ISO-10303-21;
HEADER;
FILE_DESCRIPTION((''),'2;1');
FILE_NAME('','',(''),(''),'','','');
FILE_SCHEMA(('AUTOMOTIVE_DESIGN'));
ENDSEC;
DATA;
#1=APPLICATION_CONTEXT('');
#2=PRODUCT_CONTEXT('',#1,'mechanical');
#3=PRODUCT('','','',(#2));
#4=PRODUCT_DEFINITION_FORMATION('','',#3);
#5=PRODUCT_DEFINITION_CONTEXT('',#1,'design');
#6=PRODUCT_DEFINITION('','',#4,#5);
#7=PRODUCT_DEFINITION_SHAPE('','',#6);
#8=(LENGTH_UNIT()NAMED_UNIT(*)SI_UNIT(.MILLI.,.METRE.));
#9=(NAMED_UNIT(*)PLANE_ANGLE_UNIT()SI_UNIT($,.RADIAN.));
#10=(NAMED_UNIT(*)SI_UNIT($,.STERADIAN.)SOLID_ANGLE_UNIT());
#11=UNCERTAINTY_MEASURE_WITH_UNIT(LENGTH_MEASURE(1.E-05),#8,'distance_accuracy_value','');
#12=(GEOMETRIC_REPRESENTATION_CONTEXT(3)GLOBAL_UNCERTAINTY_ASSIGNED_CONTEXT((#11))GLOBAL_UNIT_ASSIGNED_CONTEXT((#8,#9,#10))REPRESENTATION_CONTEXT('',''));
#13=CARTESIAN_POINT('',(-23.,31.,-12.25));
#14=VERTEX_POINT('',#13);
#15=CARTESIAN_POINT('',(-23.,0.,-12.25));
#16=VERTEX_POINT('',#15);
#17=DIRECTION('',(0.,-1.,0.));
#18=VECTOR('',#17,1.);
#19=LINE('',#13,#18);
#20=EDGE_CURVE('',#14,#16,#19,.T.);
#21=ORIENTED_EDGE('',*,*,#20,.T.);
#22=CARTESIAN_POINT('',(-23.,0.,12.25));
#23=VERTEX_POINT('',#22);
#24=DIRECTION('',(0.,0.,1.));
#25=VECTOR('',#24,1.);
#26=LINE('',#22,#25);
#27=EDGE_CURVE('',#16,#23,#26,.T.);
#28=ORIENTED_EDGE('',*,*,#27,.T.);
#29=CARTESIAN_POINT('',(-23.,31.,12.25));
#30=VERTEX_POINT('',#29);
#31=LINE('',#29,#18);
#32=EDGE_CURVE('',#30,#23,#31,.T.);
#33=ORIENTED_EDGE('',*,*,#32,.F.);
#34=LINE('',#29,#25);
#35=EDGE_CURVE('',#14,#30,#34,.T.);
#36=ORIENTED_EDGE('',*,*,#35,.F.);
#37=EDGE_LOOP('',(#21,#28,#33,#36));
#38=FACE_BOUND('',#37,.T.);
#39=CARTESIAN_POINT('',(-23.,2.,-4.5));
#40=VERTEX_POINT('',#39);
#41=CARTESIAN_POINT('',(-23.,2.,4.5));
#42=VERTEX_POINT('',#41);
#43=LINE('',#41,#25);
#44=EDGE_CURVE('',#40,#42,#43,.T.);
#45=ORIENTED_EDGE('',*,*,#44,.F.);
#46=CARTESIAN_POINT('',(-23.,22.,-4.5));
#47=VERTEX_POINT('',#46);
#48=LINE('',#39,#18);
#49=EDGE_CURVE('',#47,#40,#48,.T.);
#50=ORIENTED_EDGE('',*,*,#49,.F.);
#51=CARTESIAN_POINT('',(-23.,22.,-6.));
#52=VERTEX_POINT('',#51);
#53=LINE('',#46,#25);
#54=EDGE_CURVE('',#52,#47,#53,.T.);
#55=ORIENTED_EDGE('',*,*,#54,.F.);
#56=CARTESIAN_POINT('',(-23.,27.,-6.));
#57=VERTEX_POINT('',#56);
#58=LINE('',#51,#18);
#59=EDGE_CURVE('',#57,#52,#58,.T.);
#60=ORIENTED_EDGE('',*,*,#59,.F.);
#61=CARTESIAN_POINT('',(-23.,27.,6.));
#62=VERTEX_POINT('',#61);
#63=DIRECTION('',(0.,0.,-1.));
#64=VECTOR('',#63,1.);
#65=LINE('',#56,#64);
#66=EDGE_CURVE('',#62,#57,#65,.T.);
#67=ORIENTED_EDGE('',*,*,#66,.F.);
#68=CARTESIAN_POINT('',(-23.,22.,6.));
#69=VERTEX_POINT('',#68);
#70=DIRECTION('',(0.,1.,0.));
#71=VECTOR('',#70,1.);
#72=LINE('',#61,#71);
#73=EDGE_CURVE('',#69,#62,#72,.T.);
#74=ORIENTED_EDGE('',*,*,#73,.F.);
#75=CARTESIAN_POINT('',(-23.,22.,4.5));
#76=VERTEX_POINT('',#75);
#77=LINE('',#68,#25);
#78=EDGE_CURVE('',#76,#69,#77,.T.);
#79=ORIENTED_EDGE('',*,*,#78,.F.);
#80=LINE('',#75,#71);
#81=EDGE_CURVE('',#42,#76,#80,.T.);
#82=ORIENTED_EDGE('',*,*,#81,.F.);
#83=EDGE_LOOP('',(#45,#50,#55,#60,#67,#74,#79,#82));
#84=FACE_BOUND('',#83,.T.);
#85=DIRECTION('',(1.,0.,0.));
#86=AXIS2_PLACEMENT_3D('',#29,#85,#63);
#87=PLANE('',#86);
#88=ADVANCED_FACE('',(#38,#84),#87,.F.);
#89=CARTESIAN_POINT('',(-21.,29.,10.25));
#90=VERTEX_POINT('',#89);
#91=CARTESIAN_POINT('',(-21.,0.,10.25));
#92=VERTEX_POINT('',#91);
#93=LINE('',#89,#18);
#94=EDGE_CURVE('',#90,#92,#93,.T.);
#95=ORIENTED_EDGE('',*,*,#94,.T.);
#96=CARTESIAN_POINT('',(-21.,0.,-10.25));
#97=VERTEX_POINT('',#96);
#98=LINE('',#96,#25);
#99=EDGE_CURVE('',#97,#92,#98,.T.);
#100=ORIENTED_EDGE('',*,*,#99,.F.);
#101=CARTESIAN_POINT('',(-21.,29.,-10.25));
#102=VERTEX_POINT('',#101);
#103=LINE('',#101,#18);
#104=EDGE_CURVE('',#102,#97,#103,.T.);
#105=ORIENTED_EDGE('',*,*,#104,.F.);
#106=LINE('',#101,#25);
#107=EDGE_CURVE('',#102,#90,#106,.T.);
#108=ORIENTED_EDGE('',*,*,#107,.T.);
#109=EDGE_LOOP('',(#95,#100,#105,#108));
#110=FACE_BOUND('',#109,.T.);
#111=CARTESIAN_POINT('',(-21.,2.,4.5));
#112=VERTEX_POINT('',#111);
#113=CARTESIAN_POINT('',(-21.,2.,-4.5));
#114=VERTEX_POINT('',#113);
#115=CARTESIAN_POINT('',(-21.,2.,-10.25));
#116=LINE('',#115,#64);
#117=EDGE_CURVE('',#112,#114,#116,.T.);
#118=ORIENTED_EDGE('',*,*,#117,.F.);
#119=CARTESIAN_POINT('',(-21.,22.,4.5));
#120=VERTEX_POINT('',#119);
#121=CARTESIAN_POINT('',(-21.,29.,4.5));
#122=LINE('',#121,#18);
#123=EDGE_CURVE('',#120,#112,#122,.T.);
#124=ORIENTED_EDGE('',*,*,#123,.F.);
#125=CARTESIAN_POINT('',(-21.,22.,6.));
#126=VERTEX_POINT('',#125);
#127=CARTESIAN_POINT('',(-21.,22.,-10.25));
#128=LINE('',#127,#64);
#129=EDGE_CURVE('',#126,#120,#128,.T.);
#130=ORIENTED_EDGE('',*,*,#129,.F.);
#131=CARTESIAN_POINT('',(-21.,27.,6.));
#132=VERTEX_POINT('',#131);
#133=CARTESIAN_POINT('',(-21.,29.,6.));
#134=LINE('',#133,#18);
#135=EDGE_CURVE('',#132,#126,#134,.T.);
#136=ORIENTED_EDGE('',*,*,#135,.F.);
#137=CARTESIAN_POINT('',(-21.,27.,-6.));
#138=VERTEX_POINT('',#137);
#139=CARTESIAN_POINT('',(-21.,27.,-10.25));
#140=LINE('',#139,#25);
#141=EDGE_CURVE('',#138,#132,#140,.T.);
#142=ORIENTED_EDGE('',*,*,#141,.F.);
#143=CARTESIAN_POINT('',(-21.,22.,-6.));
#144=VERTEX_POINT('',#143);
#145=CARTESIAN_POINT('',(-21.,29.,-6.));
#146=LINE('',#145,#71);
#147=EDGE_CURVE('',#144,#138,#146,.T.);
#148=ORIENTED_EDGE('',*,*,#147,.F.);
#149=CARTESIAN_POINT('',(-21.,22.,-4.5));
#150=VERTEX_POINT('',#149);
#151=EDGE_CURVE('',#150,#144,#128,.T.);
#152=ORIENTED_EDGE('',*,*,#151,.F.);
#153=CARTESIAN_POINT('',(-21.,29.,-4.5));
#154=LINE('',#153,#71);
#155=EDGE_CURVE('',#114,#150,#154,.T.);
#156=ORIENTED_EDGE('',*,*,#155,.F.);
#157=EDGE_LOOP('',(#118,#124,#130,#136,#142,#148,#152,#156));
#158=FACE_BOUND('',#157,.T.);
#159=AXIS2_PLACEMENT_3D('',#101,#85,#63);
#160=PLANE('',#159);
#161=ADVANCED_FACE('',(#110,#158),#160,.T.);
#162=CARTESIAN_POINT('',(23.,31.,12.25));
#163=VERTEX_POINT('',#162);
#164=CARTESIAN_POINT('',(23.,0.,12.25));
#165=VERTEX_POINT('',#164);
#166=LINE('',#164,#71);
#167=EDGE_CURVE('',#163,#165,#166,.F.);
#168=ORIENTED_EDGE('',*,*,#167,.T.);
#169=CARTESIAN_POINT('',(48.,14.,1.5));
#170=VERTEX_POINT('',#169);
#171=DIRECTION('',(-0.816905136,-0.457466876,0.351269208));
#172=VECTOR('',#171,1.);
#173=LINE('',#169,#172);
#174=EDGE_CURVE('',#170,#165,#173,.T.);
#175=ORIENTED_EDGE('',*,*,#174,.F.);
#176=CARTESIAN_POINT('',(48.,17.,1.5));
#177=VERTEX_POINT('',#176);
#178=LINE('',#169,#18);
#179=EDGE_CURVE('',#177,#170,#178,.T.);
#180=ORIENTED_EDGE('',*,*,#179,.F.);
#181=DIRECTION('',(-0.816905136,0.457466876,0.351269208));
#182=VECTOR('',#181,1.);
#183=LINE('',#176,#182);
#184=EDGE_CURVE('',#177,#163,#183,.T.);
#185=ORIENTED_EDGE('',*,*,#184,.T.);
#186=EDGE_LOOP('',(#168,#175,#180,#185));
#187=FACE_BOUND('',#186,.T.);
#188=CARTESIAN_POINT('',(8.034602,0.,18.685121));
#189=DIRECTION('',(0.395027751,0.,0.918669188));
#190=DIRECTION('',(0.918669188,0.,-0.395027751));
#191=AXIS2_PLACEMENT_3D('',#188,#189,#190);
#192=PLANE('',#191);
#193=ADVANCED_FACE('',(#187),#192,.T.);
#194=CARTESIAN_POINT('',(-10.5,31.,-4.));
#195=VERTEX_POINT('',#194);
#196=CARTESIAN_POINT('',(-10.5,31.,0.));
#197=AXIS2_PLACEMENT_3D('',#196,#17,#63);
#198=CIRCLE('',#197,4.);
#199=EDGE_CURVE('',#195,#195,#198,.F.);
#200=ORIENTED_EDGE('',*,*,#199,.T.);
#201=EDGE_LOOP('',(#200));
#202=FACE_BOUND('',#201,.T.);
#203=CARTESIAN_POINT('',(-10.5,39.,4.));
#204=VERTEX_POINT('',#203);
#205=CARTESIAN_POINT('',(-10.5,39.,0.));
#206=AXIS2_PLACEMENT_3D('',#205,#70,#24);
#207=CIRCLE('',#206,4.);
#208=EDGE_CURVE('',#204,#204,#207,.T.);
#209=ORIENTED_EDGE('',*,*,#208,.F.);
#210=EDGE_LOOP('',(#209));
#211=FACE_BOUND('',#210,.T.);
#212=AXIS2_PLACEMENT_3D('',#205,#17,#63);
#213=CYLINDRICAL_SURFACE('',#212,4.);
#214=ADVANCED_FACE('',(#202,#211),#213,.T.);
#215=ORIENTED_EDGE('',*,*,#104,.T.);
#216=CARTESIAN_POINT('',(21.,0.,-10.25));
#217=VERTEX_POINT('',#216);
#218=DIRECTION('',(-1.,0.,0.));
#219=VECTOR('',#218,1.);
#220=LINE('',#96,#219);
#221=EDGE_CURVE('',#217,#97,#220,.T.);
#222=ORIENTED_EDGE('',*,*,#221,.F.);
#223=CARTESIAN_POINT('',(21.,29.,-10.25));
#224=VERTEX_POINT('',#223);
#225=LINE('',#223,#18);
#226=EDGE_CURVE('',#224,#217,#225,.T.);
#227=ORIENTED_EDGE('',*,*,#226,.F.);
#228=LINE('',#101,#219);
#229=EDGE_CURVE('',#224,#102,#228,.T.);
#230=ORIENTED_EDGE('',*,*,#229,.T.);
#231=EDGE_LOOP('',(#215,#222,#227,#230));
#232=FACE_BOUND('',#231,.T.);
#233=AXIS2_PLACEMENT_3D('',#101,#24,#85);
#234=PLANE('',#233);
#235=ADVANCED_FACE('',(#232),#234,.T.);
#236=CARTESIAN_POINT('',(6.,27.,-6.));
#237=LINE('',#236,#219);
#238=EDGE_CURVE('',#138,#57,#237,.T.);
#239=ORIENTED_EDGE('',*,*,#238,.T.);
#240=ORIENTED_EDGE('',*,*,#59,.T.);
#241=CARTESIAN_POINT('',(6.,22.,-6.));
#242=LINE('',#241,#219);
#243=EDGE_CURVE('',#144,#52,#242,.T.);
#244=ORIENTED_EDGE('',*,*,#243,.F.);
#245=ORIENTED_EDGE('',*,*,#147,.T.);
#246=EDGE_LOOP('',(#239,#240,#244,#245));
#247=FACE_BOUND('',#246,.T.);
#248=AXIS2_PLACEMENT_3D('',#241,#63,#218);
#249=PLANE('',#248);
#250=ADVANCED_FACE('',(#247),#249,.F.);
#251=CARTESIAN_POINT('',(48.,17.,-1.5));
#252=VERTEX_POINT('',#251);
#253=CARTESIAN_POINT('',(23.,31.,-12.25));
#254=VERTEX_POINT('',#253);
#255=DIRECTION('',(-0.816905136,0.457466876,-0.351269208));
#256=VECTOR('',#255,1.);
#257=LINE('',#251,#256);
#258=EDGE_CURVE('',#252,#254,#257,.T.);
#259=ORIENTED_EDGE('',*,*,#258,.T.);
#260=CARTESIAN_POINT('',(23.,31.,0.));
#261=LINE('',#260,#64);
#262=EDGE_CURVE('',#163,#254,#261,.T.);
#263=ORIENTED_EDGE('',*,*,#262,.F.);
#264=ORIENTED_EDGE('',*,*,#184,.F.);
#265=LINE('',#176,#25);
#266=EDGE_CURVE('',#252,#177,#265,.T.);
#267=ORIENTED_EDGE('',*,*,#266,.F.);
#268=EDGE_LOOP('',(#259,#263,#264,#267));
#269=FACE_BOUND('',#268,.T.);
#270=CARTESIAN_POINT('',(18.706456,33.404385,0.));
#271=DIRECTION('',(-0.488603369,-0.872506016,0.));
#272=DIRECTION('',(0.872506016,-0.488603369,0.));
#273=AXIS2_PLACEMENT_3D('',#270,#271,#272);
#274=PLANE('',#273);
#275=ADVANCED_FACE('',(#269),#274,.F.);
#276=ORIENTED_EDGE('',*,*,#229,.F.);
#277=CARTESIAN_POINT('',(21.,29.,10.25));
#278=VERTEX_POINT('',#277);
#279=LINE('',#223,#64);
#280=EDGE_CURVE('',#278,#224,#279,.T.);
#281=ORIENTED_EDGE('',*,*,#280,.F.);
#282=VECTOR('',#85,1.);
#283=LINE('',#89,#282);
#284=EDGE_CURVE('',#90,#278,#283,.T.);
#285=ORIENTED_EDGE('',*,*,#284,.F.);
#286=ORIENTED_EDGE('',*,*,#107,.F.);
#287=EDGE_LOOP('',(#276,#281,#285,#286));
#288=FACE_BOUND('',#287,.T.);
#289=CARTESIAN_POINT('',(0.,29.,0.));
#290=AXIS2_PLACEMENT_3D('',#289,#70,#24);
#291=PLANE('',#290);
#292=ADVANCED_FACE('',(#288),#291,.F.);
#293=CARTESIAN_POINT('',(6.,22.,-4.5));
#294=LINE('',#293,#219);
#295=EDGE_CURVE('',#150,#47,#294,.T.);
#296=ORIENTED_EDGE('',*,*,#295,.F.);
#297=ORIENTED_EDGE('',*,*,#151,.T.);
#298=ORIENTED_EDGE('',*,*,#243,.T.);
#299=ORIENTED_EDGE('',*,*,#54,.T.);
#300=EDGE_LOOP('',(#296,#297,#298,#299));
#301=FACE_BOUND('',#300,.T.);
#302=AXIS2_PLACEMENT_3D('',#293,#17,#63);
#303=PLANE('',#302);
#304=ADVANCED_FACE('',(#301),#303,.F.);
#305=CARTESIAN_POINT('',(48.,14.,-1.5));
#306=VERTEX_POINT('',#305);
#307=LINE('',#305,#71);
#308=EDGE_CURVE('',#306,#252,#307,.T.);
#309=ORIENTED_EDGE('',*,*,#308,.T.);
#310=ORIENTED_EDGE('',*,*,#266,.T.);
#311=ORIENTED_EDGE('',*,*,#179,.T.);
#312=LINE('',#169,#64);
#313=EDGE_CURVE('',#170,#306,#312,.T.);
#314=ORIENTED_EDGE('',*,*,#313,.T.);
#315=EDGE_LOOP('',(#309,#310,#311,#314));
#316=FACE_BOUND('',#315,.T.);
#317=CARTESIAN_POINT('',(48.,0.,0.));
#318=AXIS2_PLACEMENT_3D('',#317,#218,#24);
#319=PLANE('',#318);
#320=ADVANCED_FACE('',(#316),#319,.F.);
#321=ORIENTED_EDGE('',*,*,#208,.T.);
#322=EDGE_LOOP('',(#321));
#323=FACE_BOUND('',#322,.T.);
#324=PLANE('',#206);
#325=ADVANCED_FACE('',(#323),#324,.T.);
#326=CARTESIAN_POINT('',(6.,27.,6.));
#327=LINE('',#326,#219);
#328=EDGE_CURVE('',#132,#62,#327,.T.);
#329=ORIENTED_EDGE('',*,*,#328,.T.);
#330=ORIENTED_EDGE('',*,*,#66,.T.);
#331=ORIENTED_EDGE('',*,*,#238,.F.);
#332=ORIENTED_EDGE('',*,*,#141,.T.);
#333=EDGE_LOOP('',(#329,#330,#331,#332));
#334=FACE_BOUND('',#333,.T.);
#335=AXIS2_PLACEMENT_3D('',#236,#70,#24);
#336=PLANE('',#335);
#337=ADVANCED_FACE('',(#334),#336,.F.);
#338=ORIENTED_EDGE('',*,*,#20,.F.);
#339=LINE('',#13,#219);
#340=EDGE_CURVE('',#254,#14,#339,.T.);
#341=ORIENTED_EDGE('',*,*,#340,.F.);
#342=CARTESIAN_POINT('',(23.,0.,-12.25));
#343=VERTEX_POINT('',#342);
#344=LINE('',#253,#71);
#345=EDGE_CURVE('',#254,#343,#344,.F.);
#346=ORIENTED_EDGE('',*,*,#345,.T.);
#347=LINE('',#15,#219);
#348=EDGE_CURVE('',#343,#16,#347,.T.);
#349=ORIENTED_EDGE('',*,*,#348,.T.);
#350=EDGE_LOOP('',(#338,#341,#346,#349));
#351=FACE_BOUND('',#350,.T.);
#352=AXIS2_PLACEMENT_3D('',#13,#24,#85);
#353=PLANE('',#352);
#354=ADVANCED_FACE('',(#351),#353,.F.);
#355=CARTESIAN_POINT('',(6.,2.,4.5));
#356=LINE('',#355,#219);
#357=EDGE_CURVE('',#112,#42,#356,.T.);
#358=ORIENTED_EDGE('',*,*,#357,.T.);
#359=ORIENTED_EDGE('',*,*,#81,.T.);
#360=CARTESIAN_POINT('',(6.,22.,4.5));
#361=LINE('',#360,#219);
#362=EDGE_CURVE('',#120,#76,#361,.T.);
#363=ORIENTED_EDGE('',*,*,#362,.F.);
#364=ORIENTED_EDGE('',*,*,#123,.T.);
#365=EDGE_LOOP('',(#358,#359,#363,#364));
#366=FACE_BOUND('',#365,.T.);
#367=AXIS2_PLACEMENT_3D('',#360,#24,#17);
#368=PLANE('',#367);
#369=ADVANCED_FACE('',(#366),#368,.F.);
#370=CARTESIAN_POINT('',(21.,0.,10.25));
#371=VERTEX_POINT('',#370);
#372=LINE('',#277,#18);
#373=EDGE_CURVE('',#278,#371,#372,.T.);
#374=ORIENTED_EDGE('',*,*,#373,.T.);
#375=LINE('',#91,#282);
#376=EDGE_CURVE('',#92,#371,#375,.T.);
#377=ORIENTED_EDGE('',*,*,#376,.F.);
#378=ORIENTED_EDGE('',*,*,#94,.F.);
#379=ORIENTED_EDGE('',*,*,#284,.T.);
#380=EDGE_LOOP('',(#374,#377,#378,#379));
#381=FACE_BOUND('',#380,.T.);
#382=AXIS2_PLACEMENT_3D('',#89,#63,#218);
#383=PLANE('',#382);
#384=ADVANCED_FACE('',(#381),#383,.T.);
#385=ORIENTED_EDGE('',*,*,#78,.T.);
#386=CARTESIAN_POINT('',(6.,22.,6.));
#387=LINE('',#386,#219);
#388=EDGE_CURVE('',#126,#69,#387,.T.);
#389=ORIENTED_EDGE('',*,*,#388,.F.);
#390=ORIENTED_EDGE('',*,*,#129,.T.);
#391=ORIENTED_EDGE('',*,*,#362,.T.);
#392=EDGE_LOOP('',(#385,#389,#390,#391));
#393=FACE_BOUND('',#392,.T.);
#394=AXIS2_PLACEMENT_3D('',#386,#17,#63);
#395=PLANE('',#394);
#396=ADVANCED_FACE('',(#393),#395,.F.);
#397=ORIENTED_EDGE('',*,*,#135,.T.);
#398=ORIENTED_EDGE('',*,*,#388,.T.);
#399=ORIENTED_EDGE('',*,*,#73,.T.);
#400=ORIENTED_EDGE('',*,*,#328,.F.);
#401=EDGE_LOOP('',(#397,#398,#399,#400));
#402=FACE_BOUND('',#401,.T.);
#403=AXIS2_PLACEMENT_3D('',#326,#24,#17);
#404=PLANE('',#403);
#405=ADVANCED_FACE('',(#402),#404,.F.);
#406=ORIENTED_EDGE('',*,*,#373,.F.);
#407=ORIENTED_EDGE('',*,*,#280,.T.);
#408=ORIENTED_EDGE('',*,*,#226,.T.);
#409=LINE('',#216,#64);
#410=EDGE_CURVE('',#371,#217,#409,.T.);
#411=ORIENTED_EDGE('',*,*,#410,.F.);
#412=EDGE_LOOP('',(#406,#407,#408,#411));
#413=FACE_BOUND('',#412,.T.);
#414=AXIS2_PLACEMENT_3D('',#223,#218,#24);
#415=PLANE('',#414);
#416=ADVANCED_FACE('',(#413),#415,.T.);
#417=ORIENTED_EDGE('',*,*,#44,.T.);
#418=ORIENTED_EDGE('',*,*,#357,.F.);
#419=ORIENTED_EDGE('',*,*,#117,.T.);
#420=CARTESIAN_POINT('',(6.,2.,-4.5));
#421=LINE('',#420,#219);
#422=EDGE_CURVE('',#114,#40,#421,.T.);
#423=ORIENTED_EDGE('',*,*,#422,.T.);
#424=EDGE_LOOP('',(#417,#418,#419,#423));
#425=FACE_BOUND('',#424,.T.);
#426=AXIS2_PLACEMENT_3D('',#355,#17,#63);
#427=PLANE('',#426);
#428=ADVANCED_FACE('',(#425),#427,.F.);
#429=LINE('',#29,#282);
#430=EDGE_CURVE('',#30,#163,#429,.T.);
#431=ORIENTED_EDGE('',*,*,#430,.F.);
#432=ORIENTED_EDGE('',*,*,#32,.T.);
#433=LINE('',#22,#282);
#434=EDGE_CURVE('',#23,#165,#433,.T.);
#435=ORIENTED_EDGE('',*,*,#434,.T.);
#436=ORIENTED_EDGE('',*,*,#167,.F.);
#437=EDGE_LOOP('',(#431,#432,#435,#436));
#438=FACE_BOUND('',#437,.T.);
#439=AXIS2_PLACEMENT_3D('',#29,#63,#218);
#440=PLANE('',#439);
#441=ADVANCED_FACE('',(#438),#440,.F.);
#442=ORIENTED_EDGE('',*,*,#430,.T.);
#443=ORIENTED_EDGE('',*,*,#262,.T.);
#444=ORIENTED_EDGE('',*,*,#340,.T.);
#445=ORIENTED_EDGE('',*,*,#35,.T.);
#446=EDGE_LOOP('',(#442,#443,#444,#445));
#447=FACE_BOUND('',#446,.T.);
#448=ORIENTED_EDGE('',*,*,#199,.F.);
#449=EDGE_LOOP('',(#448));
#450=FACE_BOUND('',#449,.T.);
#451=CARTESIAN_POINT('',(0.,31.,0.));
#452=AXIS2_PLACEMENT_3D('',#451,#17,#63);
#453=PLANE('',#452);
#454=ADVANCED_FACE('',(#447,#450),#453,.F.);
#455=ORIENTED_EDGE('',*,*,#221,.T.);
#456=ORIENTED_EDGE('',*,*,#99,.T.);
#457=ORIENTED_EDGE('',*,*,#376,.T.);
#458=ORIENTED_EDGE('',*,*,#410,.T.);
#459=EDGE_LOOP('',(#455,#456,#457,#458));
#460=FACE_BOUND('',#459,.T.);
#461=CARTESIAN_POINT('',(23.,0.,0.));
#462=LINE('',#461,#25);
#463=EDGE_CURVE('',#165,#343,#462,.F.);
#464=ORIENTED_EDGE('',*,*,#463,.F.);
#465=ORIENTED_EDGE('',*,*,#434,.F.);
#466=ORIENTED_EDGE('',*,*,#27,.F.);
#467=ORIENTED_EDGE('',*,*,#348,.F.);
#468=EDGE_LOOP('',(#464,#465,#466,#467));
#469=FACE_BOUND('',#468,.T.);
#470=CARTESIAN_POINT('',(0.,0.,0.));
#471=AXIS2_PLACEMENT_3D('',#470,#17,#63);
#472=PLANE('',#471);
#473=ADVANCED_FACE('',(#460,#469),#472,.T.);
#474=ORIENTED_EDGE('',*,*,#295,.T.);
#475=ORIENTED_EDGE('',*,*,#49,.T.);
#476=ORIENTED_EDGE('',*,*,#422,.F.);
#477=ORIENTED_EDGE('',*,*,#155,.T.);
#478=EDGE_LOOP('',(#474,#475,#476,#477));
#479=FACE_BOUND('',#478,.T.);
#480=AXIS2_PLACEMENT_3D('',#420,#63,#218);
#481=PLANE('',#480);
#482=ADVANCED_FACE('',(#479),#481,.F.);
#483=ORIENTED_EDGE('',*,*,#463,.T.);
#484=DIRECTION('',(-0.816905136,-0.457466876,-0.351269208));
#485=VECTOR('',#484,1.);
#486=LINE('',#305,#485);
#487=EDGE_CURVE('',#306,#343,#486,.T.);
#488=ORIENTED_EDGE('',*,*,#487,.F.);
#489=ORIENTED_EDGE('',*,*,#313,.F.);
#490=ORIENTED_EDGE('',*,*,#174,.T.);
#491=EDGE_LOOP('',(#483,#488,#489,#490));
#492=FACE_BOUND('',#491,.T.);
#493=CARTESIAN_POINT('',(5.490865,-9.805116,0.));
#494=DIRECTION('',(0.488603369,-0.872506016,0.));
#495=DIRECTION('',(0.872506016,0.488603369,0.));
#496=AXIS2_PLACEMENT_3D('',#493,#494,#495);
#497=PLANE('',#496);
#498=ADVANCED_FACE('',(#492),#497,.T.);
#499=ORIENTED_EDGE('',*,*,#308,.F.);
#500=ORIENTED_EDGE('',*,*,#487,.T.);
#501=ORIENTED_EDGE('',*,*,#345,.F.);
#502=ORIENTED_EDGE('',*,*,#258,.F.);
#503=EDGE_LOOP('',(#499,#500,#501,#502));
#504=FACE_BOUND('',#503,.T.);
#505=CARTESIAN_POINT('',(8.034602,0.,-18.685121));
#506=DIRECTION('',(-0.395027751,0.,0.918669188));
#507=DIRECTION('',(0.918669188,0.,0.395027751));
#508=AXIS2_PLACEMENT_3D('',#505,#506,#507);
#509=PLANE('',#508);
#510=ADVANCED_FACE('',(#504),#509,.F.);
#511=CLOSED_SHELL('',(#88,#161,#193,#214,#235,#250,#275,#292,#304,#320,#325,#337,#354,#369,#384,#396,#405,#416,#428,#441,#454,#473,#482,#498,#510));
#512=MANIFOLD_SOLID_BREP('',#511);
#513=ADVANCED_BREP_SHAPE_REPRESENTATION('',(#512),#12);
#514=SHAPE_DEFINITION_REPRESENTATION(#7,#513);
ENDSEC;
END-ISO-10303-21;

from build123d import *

# Parameters (mm, degrees)
SKETCH1_W           = 46
SKETCH1_H           = 24.5
BODY_DEPTH          = 31
SKETCH3_W           = 42
SKETCH3_H           = 20.5
SERVO_HOLE_DEPTH    = 29
CUT_EXTRUDE3_DEPTH  = 29
SKETCH6_R           = 4
BOSS_EXTRUDE3_DEPTH = 8


with BuildPart() as part:
    # Sketch1 → Body (new body)
    with BuildSketch(Plane(origin=(0, 0, 0), x_dir=(1, 0, 0), z_dir=(0, 1, 0))):
        Rectangle(SKETCH1_W, SKETCH1_H)
    extrude(amount=BODY_DEPTH)

    # Sketch3 → Servo Hole (cut)
    with BuildSketch(Plane(origin=(0, 0, 0), x_dir=(1, 0, 0), z_dir=(0, 1, 0))):
        Rectangle(SKETCH3_W, SKETCH3_H)
    extrude(amount=SERVO_HOLE_DEPTH, mode=Mode.SUBTRACT)

    # Point → section 0 of loft1
    with BuildSketch(Plane(origin=(48, 0, 0), x_dir=(0, 0, -1), z_dir=(1, 0, 0)), mode=Mode.PRIVATE) as loft1_s0:
        with BuildLine():
            Line((-1.5, 14), (1.5, 14))
            Line((1.5, 14), (1.5, 17))
            Line((1.5, 17), (-1.5, 17))
            Line((-1.5, 17), (-1.5, 14))
        make_face()
    # loft up to a face of the part (loft1)
    loft([loft1_s0.sketch, part.faces().sort_by_distance((23, 15.5, 0))[0]])

    # Sketch5 → Cut-Extrude3 (cut)
    with BuildSketch(Plane.ZY.offset(23)):
        Polygon((-6, 27), (6, 27), (6, 22), (4.5, 22), (4.5, 2), (-4.5, 2), (-4.5, 22), (-6, 22), align=None)
    extrude(amount=-CUT_EXTRUDE3_DEPTH, mode=Mode.SUBTRACT)

    # Sketch6 → Boss-Extrude3 (add)
    with BuildSketch(Plane(origin=(0, 31, 0), x_dir=(1, 0, 0), z_dir=(0, 1, 0))):
        with Locations(Location((-10.5, 0, 0), (0, 0, 90))):
            Circle(SKETCH6_R)
    extrude(amount=BOSS_EXTRUDE3_DEPTH)


solid = part.part
